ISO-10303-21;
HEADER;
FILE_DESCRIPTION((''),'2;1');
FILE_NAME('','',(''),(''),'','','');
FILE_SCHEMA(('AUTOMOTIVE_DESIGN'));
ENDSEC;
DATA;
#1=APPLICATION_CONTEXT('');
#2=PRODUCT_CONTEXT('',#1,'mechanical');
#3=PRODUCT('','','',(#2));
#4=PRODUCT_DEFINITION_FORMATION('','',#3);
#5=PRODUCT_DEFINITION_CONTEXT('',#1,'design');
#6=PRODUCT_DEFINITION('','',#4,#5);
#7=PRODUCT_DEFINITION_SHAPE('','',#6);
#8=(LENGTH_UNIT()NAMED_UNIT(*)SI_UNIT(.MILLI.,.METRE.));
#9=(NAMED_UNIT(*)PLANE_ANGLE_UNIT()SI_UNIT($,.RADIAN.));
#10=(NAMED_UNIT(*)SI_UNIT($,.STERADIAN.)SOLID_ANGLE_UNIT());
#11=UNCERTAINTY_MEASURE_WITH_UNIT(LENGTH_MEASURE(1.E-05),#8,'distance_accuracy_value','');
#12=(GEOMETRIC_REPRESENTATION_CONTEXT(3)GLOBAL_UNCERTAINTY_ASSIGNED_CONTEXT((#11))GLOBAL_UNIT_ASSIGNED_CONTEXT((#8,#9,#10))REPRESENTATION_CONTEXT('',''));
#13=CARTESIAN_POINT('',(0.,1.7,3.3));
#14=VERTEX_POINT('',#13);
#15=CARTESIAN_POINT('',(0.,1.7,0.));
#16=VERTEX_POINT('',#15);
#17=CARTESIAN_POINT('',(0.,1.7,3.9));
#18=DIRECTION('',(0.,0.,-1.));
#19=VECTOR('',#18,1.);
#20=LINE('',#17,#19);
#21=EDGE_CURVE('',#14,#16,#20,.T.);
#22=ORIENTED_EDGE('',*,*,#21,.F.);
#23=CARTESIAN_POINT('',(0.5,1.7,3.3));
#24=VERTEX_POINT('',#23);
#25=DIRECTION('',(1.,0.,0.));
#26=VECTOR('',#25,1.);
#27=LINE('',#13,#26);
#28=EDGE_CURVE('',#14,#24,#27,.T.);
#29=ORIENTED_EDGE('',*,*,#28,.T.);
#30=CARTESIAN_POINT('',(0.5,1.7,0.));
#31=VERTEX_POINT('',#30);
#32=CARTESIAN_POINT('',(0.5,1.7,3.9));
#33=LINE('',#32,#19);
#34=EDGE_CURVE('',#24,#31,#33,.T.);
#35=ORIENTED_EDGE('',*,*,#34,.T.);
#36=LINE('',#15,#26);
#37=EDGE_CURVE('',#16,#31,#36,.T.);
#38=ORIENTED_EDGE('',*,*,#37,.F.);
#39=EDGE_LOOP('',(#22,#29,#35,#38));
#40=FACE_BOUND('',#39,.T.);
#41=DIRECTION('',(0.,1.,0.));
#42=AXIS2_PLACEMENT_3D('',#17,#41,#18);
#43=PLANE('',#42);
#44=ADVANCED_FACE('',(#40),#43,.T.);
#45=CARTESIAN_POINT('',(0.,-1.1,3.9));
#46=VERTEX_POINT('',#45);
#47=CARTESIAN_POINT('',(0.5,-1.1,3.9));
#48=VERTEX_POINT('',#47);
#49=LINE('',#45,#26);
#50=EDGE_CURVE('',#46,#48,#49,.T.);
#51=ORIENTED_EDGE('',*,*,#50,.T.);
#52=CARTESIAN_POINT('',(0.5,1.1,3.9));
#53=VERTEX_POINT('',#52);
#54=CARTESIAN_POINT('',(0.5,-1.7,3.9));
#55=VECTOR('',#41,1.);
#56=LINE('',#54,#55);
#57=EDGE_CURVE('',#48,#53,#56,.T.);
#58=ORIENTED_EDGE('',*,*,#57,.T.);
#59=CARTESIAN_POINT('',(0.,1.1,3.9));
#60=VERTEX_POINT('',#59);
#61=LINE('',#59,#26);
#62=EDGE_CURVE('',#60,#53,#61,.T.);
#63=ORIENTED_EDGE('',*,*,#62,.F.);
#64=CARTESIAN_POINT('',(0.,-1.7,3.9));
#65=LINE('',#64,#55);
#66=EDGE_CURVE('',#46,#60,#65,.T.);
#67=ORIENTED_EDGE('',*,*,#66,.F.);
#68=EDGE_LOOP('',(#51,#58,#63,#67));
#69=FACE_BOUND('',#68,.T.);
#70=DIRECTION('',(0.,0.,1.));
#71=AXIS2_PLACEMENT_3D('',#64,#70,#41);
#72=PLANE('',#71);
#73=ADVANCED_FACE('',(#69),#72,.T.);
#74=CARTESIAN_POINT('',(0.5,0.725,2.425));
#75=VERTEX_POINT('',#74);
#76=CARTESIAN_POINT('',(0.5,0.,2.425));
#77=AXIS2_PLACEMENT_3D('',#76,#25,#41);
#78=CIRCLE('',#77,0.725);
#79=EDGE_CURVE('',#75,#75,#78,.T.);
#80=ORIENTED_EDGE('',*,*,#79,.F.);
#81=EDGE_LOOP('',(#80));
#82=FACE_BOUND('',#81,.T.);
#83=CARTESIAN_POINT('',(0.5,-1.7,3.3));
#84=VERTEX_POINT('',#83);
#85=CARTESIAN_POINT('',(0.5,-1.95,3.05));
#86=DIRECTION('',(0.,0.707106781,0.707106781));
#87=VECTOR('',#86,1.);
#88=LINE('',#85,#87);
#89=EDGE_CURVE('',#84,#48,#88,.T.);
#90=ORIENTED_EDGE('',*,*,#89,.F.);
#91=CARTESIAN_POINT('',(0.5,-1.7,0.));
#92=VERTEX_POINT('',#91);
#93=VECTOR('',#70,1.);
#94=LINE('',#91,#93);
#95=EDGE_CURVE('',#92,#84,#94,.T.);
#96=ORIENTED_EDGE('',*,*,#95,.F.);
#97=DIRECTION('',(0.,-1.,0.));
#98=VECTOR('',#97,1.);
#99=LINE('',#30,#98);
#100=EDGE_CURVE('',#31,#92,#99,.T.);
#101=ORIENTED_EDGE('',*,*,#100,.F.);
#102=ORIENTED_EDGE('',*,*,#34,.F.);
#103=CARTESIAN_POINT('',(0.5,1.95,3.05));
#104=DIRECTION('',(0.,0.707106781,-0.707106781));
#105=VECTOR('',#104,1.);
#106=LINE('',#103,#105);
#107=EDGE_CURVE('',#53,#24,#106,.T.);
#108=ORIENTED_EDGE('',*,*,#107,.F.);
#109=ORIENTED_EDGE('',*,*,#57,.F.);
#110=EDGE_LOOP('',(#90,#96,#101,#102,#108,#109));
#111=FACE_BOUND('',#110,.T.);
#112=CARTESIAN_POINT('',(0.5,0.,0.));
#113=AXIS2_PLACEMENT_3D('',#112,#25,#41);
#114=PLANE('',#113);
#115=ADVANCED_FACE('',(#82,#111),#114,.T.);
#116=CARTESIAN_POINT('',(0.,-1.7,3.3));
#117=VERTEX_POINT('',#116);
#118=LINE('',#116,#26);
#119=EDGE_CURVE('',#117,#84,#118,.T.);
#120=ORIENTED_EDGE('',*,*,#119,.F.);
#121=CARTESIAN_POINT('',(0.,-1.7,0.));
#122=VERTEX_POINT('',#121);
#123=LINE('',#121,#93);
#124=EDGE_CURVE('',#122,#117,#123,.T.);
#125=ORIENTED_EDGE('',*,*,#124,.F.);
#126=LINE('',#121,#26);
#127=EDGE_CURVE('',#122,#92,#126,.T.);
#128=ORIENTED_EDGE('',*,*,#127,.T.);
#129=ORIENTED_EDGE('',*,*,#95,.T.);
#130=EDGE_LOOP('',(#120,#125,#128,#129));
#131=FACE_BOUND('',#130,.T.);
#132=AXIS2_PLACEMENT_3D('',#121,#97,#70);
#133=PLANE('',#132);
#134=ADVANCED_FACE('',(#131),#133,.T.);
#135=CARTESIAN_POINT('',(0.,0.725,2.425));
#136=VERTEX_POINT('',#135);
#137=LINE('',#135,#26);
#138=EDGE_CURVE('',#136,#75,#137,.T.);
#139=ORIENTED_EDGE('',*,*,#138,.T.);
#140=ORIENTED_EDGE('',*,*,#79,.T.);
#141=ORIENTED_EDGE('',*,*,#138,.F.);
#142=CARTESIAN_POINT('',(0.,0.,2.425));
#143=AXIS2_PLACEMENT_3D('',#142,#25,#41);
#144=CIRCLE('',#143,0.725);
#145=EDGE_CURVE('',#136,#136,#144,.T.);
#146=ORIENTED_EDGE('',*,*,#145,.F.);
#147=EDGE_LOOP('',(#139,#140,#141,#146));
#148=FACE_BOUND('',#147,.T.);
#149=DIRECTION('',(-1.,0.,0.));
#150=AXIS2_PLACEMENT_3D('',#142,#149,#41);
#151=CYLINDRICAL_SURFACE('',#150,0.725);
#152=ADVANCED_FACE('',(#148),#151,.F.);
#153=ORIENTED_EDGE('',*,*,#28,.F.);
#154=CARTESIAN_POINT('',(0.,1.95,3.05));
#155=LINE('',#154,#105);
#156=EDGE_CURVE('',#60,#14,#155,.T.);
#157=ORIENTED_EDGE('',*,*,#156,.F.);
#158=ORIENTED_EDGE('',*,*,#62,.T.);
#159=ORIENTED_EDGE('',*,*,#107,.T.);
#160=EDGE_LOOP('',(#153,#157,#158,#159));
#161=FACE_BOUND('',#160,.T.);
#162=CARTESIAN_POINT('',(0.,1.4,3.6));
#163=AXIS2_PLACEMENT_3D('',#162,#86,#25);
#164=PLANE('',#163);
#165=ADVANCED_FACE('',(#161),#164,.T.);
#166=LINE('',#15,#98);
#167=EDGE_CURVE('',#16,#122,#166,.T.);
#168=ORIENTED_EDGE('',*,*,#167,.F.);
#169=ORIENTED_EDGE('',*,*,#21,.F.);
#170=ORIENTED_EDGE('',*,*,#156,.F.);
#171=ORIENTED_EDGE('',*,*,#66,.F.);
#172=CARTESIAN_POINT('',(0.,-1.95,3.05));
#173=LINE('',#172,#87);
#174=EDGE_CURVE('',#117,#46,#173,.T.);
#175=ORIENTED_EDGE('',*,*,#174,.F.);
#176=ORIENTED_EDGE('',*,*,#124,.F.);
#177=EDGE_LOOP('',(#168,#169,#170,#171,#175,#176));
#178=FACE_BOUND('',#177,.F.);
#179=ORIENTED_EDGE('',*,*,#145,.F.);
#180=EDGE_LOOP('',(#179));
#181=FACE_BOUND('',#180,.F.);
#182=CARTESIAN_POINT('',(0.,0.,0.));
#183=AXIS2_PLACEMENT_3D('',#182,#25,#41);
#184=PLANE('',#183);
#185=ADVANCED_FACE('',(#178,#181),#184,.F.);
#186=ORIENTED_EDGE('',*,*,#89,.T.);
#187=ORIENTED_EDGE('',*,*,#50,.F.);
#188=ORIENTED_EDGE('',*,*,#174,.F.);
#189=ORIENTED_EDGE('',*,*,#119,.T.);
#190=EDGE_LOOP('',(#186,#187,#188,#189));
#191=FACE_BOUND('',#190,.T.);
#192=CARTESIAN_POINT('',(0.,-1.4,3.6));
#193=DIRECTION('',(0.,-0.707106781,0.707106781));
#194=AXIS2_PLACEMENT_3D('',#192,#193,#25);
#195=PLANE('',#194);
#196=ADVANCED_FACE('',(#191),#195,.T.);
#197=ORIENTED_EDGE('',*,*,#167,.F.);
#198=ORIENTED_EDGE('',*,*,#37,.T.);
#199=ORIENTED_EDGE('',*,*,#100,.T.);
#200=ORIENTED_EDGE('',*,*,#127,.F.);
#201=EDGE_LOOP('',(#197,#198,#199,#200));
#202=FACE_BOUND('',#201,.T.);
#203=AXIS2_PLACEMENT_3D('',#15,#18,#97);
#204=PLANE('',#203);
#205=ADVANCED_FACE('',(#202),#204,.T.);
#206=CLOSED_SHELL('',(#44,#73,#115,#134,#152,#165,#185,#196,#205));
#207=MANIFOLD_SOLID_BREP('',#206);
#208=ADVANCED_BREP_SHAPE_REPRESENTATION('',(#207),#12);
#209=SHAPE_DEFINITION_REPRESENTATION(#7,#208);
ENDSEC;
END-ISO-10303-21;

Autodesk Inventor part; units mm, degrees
ref_plane "YZ Plane" through (0, 0, 0) normal (1, 0, 0) x (0, 1, 0)
ref_plane "XZ Plane" through (0, 0, 0) normal (0, 1, 0) x (-1, 0, 0)
ref_plane "XY Plane" through (0, 0, 0) normal (0, 0, 1) x (1, 0, 0)
sketch "Sketch1" plane through (0, 0, 0) normal (1, 0, 0) x (0, 1, 0)
  line L0 (1.7, 0) -> (-1.7, 0)
  line L1 (-1.7, 0) -> (-1.7, 3.9)
  line L2 (-1.7, 3.9) -> (1.7, 3.9)
  line L3 (1.7, 3.9) -> (1.7, 0)
  circle A0 centre (0, 2.425) radius 0.725
  point P0 (0, 0)
  point P1 (0, 0)
  dimension "d0" = 3.9
  dimension "d2" = 3.4
  dimension "d3" = 1.45
  dimension "d4" = 0.75
extrude "Extrusion1" add sketch "Sketch1" along normal blind 0.5
chamfer "Chamfer1" distance 0.6 angle 45 2 edges at (0.25, 1.7, 3.9) (0.25, -1.7, 3.9)
properties material "Gold"
